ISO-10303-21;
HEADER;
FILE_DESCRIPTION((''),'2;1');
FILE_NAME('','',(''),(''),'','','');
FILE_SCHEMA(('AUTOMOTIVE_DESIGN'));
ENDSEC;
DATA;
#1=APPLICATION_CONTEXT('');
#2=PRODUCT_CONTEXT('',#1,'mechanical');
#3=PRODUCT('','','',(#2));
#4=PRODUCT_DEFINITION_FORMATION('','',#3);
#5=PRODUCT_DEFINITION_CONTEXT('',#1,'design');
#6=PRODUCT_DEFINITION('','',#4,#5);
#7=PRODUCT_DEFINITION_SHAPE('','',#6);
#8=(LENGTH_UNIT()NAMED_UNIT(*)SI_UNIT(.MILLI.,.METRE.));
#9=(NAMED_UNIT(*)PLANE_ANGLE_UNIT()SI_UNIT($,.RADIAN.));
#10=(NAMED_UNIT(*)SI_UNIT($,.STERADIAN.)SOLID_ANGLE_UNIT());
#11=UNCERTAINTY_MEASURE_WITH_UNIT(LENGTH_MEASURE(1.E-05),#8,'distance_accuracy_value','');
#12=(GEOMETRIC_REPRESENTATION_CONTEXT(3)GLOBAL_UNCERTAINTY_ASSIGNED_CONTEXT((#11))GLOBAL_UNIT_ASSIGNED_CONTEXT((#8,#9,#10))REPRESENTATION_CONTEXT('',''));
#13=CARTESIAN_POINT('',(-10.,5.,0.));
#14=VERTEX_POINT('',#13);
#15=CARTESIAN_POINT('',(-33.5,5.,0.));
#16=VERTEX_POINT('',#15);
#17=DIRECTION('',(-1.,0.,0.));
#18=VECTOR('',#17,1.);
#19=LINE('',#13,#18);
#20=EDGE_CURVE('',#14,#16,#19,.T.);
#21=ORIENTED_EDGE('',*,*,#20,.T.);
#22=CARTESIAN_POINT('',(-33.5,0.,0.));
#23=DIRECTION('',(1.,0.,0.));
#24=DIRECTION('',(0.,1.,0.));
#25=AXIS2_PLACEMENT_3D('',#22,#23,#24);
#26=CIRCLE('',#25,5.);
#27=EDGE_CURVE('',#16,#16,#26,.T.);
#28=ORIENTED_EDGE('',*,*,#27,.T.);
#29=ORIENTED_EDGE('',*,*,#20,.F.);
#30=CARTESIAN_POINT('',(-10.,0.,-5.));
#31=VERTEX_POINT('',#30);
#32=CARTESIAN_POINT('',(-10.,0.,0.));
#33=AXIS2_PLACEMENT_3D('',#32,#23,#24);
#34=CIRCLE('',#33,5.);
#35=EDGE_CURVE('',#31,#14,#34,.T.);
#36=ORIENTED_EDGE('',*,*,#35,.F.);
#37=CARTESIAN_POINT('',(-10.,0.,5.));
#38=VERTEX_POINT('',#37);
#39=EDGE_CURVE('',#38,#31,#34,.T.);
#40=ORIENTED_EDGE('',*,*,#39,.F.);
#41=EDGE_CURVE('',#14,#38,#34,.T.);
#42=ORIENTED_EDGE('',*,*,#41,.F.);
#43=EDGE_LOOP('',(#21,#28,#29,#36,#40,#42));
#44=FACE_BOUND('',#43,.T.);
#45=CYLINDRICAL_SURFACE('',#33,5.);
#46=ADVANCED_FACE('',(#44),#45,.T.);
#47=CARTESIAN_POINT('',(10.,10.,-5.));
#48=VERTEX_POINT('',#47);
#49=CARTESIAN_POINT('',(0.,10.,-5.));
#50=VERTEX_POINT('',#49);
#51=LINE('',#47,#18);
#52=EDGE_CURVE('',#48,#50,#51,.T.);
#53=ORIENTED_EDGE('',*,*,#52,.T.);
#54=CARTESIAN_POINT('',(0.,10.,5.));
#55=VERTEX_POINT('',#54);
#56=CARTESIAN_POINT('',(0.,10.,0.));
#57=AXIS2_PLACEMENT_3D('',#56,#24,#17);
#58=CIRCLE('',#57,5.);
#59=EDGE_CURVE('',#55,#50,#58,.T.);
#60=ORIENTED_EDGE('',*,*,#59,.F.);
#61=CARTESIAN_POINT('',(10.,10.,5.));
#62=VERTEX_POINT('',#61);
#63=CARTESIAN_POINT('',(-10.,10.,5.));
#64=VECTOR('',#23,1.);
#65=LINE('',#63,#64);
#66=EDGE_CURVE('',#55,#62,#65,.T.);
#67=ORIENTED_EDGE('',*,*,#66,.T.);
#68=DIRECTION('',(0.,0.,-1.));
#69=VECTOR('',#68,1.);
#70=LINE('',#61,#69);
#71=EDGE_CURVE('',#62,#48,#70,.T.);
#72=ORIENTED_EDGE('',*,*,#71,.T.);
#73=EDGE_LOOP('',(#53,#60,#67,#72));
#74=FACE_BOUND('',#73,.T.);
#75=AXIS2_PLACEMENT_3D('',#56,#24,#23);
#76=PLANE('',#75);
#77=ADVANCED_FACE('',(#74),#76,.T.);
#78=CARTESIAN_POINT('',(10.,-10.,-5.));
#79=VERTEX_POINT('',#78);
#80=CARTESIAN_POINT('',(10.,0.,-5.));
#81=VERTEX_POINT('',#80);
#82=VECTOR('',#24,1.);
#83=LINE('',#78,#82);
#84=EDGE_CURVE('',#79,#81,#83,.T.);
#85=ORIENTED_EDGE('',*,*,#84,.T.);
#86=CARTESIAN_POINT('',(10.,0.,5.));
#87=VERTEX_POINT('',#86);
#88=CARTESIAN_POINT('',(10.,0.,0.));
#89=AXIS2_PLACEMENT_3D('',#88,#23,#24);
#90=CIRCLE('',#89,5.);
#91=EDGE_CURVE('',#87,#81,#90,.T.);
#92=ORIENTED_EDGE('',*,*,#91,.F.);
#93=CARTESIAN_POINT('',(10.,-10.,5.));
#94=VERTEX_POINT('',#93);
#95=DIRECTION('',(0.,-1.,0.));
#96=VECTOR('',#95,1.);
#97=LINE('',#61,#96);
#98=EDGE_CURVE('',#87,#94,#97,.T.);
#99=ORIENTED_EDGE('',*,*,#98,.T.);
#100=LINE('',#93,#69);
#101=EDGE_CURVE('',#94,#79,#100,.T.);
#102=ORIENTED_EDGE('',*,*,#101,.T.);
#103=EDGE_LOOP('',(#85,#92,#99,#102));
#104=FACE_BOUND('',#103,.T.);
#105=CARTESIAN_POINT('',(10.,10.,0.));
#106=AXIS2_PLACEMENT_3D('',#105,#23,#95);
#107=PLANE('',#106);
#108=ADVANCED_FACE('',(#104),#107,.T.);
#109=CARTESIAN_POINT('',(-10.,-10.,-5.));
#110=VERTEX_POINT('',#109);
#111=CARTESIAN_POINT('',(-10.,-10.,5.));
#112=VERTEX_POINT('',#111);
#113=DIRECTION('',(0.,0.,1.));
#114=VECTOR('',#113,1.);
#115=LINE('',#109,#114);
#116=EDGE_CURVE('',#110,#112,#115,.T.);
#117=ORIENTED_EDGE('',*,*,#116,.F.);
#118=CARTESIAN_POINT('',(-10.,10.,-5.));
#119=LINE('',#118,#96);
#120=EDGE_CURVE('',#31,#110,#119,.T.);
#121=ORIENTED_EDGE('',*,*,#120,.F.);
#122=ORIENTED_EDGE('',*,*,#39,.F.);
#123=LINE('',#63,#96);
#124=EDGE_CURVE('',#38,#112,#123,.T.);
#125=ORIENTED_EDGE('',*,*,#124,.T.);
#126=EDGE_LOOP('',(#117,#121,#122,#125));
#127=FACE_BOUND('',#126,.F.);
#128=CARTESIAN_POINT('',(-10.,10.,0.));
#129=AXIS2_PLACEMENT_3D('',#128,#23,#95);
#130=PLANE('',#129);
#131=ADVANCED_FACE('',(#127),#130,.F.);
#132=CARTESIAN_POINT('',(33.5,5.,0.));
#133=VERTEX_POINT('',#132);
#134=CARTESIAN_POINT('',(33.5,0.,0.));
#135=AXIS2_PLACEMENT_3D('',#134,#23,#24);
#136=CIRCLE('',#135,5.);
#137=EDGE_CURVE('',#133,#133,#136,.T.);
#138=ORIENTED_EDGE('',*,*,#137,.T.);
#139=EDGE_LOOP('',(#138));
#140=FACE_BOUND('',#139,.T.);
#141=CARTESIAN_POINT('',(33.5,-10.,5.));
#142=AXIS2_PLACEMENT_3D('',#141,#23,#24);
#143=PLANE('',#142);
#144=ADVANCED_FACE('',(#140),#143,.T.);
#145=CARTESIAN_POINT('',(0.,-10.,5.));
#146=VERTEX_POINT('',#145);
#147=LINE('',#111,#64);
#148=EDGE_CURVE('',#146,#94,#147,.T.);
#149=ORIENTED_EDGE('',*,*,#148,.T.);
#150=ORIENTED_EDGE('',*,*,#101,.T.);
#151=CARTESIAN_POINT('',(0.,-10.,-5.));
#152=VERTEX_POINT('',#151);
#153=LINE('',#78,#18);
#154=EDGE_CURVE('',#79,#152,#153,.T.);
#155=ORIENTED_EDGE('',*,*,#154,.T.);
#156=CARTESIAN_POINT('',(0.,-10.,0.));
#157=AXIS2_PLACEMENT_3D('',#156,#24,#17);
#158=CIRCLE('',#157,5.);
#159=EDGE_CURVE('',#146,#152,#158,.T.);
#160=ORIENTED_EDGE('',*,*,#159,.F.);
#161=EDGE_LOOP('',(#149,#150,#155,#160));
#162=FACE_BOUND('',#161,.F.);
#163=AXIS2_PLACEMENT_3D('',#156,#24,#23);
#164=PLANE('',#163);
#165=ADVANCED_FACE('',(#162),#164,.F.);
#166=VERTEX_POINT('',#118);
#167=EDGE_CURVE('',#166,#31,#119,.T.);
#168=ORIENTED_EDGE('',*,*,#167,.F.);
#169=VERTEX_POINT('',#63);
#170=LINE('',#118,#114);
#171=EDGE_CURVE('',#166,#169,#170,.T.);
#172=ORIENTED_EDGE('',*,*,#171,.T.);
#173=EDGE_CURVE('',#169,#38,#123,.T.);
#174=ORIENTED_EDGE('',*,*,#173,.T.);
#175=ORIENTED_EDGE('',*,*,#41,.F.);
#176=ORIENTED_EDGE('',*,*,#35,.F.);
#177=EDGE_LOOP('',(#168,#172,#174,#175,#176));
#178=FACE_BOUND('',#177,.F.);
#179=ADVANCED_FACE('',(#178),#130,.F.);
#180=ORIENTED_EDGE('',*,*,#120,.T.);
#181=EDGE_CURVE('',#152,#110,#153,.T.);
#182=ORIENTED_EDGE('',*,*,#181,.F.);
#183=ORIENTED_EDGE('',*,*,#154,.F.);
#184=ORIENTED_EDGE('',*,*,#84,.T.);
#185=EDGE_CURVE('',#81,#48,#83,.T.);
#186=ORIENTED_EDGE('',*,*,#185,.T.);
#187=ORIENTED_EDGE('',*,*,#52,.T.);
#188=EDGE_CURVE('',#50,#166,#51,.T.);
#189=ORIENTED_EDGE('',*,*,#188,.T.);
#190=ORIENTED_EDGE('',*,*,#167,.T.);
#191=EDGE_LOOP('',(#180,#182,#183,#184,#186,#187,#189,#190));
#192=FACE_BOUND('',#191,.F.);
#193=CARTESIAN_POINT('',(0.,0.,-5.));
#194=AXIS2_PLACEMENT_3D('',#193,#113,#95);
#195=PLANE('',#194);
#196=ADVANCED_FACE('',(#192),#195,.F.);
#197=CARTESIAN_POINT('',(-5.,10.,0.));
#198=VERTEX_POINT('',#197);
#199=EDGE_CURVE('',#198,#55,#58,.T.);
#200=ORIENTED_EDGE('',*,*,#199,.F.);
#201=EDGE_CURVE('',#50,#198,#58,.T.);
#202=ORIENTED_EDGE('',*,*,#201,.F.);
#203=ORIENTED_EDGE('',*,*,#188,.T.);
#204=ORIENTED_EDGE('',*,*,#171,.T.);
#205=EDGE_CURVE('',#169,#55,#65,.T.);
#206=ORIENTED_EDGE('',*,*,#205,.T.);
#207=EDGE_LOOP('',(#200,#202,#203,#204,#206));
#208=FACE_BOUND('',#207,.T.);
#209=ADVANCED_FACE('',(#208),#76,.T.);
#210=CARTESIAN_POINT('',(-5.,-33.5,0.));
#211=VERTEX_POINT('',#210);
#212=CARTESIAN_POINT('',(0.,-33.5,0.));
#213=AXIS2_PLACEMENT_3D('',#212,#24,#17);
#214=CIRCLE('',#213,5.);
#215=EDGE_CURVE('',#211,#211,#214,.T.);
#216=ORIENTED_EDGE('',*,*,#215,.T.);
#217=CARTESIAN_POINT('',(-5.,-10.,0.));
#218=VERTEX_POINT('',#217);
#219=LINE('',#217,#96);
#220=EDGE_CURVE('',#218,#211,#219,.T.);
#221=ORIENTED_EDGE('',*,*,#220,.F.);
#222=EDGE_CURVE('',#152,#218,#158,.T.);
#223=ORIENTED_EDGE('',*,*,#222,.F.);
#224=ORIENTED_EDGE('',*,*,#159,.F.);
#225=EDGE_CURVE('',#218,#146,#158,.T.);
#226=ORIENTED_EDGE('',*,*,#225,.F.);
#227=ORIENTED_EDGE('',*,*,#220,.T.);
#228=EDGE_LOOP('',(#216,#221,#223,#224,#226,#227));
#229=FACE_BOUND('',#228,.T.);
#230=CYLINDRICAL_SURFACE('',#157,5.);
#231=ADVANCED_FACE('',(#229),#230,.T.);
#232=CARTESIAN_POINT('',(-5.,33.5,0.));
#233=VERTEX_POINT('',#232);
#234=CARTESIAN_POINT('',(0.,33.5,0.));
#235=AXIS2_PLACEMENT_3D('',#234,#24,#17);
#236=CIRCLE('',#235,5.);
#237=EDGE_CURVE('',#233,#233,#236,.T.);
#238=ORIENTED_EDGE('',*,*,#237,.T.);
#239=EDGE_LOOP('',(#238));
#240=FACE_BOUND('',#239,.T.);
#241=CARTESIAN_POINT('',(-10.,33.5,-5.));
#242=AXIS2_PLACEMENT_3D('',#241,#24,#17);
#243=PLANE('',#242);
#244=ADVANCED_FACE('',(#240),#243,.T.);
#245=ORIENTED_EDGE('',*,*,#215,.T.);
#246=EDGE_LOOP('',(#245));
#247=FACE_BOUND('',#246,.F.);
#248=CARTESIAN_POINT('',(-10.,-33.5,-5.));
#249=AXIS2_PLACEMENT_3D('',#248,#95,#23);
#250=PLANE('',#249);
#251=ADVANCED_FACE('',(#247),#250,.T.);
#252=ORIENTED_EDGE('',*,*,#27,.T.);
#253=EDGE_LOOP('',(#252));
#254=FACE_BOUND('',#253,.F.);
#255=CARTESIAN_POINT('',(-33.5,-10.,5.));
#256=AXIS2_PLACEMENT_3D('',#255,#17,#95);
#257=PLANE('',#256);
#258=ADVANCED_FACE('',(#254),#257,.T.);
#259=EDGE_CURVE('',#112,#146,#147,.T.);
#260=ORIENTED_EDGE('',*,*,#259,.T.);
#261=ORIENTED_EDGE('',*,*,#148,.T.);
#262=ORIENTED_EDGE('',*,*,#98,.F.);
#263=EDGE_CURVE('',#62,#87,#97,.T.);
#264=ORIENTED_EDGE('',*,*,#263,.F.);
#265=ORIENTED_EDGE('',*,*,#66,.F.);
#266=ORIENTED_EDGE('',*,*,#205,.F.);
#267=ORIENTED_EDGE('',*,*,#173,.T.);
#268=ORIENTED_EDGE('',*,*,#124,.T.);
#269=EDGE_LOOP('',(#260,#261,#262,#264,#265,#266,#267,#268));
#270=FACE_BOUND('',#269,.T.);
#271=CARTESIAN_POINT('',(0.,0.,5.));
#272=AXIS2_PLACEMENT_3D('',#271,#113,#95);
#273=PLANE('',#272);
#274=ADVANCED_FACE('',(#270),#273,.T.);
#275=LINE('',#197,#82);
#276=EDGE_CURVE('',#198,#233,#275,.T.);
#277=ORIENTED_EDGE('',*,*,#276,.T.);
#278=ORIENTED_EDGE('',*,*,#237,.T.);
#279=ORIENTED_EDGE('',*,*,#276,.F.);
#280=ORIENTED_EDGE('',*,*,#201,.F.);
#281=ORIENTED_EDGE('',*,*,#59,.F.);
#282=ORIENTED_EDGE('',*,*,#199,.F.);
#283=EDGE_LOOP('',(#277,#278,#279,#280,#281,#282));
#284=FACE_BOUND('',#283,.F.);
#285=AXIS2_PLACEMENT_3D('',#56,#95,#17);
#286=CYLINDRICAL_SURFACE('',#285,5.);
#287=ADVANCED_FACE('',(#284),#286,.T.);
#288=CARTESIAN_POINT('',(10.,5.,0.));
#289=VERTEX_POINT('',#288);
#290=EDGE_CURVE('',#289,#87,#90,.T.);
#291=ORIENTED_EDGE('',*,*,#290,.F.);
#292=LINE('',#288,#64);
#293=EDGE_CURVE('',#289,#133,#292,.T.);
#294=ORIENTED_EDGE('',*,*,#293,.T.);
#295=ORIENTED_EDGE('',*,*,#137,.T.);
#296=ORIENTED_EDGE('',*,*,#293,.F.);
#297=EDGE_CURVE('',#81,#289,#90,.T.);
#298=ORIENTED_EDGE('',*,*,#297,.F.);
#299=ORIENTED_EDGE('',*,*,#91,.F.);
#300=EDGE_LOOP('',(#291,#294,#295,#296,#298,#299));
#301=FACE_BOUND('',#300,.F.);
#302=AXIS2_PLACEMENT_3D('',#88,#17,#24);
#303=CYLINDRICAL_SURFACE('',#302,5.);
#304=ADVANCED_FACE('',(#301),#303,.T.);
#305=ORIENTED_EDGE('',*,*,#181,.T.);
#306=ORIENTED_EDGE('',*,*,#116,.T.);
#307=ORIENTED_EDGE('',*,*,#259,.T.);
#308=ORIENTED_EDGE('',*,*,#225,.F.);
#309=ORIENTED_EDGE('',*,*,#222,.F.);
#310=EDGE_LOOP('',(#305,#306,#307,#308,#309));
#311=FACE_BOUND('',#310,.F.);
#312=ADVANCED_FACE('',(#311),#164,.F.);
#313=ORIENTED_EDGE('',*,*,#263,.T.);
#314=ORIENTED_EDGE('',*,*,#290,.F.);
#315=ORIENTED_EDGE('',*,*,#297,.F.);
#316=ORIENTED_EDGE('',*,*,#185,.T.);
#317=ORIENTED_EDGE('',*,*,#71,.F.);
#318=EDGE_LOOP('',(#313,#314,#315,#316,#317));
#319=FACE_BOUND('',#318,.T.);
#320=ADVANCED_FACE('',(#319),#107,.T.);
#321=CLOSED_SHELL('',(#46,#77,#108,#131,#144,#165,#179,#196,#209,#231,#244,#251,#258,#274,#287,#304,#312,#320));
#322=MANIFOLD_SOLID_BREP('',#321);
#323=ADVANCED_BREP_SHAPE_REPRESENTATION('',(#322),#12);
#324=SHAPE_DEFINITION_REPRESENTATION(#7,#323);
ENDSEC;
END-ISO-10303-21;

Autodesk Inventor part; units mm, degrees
ref_plane "YZ Plane" through (0, 0, 0) normal (1, 0, 0) x (0, 1, 0)
ref_plane "XZ Plane" through (0, 0, 0) normal (0, 1, 0) x (-1, 0, 0)
ref_plane "XY Plane" through (0, 0, 0) normal (0, 0, 1) x (1, 0, 0)
sketch "Sketch1" plane through (0, 0, 0) normal (0, 1, 0) x (-1, 0, 0)
  line L0 (0, 0) -> (-10, 0) construction
  line L1 (-10, 0) -> (-10, -10)
  line L2 (-10, -10) -> (0, -10)
  line L3 (0, -10) -> (0, 0) construction
  line L4 (-10, 0) -> (-10, 10)
  line L5 (-10, 10) -> (0, 10)
  line L6 (10, 0) -> (10, -10)
  line L7 (10, -10) -> (0, -10)
  line L8 (10, 10) -> (0, 10)
  line L9 (10, 0) -> (10, 10)
  dimension "d0" = 10
extrude "Extrusion1" add sketch "Sketch1" along normal mid plane 10
sketch "Sketch2" plane through (-10, 5, 10) normal (0, 0, 1) x (1, 0, 0)
  circle A0 centre (10, -5) radius 5
  dimension "d4" = 10
extrude "Extrusion2" add sketch "Sketch2" along normal blind 23.5
mirror "Mirror1" about plane through (0, 0, 0) normal (0, 0, 1) of "Extrusion2"
sketch "Sketch3" plane through (10, -5, -10) normal (1, 0, 0) x (0, 0, -1)
  circle A0 centre (-10, 5) radius 5
  dimension "d8" = 10
extrude "Extrusion3" add sketch "Sketch3" along normal blind 23.5
mirror "Mirror2" about plane through (0, 0, 0) normal (1, 0, 0) of "Extrusion3"
move or copy body "Move Body1" bodies to move or copy 1 copy no rotation origin (0, 0, 0) rotation axis (1, 0, 0) rotation angle 90
move or copy body "Move Body2" bodies to move or copy 1 copy no rotation origin (0, 0, 0) rotation axis (0, 0, 1) rotation angle 90
properties part number "AnkRoll_v2"
